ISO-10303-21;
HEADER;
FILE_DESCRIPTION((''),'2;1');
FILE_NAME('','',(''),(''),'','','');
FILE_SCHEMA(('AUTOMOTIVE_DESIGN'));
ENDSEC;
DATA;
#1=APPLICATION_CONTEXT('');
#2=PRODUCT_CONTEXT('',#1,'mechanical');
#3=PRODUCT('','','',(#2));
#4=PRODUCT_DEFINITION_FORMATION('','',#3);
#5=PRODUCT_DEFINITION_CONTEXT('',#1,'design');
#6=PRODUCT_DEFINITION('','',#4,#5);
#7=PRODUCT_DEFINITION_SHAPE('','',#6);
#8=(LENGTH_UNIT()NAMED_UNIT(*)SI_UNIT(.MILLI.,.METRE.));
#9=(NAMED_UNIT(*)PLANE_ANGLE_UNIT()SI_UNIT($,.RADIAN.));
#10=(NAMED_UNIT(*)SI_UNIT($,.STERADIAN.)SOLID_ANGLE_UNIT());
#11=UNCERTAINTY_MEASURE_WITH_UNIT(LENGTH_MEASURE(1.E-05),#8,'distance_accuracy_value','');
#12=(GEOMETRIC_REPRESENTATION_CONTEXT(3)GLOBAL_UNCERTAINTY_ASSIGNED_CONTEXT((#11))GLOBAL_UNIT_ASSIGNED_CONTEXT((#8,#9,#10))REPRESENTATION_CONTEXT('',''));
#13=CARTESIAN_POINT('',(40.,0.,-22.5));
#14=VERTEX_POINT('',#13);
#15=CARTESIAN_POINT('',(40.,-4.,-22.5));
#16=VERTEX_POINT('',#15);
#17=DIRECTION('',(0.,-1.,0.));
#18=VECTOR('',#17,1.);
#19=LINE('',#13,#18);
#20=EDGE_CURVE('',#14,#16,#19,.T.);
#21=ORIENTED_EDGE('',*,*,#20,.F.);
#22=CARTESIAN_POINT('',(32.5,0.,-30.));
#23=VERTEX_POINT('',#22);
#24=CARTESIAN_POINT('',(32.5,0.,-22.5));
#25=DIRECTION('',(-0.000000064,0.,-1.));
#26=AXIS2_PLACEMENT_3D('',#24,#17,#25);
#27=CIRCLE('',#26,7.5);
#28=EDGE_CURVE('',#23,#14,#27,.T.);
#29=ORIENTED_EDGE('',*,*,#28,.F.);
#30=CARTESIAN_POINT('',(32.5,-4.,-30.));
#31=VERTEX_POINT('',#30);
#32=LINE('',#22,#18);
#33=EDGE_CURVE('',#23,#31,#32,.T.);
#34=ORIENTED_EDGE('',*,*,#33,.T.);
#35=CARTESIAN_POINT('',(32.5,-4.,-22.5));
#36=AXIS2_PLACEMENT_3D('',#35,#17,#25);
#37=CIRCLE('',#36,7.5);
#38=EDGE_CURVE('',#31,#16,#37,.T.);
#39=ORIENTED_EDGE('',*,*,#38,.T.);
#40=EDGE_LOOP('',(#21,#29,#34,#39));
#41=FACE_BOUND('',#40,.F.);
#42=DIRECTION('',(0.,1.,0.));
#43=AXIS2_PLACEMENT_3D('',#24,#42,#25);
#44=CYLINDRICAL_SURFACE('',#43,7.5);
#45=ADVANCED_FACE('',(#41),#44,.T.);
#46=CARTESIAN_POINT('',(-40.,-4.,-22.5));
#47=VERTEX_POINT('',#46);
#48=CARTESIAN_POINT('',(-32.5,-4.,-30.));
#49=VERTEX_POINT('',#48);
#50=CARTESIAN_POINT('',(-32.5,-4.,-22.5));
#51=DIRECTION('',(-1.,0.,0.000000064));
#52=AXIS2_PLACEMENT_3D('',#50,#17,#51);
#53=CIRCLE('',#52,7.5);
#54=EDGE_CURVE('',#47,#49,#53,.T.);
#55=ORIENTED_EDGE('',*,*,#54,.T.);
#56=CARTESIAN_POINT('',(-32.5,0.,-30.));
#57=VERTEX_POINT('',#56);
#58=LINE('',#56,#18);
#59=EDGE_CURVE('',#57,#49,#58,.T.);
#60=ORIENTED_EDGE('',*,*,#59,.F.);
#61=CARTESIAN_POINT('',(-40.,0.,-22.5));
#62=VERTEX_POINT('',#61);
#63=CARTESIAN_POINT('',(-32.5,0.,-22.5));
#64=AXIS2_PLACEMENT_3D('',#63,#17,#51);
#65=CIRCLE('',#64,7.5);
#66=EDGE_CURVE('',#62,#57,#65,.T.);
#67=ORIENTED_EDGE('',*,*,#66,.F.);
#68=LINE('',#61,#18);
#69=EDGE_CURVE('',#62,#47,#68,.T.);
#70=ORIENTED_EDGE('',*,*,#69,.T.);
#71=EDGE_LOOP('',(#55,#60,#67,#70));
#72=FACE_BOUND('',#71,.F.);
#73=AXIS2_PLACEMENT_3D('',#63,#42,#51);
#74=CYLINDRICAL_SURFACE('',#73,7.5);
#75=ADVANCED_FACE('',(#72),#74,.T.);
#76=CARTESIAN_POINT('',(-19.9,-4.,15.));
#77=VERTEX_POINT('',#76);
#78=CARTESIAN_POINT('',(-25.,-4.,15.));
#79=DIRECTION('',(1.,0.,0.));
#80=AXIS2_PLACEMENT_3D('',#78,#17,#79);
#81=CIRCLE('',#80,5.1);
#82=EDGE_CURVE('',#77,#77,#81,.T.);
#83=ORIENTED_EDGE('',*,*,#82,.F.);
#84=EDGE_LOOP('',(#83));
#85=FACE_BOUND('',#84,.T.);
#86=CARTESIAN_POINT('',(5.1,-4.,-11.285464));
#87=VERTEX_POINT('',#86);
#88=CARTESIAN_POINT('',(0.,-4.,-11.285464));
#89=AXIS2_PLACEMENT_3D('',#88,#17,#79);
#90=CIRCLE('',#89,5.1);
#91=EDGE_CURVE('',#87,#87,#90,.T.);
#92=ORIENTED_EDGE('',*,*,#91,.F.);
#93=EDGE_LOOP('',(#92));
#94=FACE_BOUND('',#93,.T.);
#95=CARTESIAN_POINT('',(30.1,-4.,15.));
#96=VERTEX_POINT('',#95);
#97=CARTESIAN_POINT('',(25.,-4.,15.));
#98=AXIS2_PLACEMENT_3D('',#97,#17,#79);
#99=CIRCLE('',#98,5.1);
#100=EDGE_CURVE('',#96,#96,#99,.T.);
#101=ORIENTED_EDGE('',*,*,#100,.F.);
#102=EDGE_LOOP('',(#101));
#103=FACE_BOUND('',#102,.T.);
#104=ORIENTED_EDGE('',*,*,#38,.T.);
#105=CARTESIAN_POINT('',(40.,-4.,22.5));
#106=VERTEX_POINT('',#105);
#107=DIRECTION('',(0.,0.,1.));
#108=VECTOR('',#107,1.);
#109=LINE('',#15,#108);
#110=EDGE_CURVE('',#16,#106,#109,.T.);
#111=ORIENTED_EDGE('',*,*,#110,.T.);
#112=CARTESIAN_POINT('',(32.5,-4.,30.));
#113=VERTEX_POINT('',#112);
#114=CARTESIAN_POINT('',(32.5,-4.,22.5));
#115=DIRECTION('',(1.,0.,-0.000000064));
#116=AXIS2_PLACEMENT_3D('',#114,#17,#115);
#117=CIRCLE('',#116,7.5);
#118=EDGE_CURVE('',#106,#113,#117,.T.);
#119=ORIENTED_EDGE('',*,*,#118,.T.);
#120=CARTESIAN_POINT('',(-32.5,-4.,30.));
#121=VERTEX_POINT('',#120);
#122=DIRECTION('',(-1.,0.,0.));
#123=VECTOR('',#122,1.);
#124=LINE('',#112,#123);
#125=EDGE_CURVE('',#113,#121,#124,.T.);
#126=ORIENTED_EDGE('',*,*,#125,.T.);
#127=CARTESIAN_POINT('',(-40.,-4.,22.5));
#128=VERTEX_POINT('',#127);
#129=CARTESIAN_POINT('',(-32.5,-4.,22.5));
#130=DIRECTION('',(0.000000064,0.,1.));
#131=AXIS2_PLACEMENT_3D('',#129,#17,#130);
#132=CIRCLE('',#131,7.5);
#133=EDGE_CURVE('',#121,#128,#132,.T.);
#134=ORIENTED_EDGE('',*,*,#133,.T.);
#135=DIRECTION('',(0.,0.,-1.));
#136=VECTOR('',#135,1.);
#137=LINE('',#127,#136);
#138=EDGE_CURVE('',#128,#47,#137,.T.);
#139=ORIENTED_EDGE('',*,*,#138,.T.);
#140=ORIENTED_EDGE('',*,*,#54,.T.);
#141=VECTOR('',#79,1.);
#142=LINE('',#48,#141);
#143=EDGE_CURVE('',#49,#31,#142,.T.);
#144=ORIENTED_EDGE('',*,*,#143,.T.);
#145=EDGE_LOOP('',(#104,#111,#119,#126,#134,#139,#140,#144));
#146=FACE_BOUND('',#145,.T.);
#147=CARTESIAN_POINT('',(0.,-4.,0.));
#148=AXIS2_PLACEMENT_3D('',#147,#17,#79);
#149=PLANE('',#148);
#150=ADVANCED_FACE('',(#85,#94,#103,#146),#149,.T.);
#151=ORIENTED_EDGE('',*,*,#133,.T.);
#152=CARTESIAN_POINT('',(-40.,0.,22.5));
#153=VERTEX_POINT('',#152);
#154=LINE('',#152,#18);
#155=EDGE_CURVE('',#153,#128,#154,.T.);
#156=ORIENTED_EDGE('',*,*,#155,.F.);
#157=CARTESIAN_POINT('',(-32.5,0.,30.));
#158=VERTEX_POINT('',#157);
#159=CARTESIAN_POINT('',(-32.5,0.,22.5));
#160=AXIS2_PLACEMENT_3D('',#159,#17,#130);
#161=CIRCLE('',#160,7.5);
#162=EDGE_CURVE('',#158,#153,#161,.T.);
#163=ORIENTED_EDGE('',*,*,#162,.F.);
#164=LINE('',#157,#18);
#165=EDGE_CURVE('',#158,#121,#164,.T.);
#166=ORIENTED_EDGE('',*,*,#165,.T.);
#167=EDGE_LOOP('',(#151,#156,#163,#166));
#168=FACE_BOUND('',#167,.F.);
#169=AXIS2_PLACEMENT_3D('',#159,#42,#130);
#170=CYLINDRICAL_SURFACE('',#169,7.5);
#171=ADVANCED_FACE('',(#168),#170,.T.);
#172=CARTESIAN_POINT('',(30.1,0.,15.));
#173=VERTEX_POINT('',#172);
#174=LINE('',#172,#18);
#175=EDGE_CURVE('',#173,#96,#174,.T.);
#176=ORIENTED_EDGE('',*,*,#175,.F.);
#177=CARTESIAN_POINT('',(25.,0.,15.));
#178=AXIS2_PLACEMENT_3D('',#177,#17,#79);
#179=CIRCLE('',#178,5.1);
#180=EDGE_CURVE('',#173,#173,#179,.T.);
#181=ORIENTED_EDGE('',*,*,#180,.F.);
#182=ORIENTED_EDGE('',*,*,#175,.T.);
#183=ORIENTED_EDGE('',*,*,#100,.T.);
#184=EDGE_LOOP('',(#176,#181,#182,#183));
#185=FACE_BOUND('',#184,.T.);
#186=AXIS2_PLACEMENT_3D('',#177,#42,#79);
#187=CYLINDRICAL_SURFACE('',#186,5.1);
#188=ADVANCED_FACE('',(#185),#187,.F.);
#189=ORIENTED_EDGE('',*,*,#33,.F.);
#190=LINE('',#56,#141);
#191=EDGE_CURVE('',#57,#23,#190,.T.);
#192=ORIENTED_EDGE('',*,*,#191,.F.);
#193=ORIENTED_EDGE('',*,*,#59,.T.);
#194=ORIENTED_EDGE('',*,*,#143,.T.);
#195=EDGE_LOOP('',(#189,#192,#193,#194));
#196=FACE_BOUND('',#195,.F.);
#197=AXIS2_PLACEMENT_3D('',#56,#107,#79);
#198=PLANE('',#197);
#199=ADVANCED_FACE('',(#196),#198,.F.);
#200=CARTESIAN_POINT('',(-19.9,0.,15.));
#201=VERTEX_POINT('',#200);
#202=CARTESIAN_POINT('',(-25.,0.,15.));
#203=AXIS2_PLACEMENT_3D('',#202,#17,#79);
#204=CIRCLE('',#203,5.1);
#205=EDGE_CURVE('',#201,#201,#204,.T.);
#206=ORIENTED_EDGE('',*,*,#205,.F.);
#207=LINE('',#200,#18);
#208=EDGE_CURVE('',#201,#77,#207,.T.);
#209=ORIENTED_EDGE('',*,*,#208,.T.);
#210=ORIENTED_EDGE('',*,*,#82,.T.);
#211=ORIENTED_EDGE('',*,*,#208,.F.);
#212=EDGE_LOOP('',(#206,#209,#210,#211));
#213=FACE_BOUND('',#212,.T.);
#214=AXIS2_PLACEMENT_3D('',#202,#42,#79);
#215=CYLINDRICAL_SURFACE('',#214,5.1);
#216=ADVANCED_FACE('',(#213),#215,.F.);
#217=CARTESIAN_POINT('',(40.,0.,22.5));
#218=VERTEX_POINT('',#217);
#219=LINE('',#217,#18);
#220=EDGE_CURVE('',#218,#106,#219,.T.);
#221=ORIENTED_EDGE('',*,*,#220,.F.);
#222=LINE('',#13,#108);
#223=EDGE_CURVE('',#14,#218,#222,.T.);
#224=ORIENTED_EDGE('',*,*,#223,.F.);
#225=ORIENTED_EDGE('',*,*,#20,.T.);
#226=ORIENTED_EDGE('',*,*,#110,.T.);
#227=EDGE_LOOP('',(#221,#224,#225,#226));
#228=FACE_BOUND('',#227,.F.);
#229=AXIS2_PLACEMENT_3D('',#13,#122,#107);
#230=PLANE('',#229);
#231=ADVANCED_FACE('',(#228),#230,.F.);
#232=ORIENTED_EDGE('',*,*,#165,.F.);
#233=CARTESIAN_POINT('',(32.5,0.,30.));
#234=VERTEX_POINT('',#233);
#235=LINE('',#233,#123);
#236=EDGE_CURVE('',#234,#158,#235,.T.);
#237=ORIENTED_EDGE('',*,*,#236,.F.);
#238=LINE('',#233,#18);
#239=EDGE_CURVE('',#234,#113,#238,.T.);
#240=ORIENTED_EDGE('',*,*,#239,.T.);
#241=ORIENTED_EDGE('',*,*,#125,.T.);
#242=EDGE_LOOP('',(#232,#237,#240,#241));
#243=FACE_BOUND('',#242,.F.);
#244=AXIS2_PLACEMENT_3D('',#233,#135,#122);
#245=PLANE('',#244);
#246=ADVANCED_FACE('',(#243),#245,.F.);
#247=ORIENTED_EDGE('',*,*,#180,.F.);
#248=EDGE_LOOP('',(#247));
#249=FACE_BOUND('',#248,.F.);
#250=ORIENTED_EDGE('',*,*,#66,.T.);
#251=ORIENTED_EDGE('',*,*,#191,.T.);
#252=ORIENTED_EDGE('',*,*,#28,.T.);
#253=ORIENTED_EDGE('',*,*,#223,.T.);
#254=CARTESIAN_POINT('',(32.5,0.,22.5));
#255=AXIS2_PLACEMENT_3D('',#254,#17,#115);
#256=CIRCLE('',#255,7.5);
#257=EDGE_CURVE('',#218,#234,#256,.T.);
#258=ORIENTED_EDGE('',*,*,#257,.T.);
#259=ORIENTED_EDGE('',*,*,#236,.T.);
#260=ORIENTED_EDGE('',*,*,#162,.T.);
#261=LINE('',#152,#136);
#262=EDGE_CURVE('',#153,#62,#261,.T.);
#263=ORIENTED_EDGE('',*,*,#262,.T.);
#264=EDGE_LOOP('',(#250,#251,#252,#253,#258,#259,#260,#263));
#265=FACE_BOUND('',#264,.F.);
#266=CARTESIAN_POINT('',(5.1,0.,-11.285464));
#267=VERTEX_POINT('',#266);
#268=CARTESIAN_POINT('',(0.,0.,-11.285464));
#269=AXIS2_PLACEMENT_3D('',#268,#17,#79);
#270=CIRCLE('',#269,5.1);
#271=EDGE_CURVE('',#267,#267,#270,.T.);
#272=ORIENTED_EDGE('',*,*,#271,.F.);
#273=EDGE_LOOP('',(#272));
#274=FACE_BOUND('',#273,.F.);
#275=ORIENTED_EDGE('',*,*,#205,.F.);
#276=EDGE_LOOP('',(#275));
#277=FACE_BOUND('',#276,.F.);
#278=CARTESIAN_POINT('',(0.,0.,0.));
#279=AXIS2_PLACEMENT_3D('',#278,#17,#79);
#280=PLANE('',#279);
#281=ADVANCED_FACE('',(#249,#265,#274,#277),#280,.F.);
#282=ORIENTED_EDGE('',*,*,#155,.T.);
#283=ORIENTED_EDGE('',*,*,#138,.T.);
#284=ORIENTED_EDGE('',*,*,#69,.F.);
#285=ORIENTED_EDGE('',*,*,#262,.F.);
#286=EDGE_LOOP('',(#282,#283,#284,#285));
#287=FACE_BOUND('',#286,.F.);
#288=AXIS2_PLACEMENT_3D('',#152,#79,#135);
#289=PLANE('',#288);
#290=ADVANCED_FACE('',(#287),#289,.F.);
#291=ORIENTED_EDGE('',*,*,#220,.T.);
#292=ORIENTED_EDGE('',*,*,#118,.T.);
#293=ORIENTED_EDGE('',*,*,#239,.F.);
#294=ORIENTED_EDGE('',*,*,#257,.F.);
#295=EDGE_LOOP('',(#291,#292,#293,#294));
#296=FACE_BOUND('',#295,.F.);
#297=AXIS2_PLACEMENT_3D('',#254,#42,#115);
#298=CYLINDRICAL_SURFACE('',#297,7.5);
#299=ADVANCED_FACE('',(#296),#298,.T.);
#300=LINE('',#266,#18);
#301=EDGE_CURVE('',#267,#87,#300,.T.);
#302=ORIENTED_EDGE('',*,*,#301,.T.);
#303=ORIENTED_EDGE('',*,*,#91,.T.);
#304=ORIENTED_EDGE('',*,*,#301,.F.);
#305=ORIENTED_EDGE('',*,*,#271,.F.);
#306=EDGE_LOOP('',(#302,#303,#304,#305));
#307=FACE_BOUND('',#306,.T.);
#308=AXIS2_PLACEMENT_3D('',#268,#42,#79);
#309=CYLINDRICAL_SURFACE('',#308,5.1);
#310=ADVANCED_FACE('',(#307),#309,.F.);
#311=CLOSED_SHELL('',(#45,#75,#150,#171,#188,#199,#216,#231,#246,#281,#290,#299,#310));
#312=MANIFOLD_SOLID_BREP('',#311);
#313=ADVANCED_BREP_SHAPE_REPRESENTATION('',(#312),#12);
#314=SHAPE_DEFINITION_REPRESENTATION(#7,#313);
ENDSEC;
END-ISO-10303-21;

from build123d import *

# Parameters (mm, degrees)
F0_R     = 5.1
F1_DEPTH = 4


with BuildPart() as f1:
    # F0 (on Front) → F1 (new body)
    with BuildSketch(Plane.XZ):
        with BuildLine():
            ThreePointArc((40, 22.5), (37.803301, 27.803301), (32.5, 30))
            Line((32.5, 30), (-32.5, 30))
            ThreePointArc((-32.5, 30), (-37.803301, 27.803301), (-40, 22.5))
            Line((-40, 22.5), (-40, -22.5))
            ThreePointArc((-40, -22.5), (-37.803301, -27.803301), (-32.5, -30))
            Line((-32.5, -30), (32.5, -30))
            ThreePointArc((32.5, -30), (37.803301, -27.803301), (40, -22.5))
            Line((40, -22.5), (40, 22.5))
        make_face()
        with Locations((0, -11.285464)):
            Circle(F0_R, mode=Mode.SUBTRACT)
        with Locations((-25, 15)):
            Circle(F0_R, mode=Mode.SUBTRACT)
        with Locations((25, 15)):
            Circle(F0_R, mode=Mode.SUBTRACT)
    extrude(amount=F1_DEPTH)


solid = f1.part
